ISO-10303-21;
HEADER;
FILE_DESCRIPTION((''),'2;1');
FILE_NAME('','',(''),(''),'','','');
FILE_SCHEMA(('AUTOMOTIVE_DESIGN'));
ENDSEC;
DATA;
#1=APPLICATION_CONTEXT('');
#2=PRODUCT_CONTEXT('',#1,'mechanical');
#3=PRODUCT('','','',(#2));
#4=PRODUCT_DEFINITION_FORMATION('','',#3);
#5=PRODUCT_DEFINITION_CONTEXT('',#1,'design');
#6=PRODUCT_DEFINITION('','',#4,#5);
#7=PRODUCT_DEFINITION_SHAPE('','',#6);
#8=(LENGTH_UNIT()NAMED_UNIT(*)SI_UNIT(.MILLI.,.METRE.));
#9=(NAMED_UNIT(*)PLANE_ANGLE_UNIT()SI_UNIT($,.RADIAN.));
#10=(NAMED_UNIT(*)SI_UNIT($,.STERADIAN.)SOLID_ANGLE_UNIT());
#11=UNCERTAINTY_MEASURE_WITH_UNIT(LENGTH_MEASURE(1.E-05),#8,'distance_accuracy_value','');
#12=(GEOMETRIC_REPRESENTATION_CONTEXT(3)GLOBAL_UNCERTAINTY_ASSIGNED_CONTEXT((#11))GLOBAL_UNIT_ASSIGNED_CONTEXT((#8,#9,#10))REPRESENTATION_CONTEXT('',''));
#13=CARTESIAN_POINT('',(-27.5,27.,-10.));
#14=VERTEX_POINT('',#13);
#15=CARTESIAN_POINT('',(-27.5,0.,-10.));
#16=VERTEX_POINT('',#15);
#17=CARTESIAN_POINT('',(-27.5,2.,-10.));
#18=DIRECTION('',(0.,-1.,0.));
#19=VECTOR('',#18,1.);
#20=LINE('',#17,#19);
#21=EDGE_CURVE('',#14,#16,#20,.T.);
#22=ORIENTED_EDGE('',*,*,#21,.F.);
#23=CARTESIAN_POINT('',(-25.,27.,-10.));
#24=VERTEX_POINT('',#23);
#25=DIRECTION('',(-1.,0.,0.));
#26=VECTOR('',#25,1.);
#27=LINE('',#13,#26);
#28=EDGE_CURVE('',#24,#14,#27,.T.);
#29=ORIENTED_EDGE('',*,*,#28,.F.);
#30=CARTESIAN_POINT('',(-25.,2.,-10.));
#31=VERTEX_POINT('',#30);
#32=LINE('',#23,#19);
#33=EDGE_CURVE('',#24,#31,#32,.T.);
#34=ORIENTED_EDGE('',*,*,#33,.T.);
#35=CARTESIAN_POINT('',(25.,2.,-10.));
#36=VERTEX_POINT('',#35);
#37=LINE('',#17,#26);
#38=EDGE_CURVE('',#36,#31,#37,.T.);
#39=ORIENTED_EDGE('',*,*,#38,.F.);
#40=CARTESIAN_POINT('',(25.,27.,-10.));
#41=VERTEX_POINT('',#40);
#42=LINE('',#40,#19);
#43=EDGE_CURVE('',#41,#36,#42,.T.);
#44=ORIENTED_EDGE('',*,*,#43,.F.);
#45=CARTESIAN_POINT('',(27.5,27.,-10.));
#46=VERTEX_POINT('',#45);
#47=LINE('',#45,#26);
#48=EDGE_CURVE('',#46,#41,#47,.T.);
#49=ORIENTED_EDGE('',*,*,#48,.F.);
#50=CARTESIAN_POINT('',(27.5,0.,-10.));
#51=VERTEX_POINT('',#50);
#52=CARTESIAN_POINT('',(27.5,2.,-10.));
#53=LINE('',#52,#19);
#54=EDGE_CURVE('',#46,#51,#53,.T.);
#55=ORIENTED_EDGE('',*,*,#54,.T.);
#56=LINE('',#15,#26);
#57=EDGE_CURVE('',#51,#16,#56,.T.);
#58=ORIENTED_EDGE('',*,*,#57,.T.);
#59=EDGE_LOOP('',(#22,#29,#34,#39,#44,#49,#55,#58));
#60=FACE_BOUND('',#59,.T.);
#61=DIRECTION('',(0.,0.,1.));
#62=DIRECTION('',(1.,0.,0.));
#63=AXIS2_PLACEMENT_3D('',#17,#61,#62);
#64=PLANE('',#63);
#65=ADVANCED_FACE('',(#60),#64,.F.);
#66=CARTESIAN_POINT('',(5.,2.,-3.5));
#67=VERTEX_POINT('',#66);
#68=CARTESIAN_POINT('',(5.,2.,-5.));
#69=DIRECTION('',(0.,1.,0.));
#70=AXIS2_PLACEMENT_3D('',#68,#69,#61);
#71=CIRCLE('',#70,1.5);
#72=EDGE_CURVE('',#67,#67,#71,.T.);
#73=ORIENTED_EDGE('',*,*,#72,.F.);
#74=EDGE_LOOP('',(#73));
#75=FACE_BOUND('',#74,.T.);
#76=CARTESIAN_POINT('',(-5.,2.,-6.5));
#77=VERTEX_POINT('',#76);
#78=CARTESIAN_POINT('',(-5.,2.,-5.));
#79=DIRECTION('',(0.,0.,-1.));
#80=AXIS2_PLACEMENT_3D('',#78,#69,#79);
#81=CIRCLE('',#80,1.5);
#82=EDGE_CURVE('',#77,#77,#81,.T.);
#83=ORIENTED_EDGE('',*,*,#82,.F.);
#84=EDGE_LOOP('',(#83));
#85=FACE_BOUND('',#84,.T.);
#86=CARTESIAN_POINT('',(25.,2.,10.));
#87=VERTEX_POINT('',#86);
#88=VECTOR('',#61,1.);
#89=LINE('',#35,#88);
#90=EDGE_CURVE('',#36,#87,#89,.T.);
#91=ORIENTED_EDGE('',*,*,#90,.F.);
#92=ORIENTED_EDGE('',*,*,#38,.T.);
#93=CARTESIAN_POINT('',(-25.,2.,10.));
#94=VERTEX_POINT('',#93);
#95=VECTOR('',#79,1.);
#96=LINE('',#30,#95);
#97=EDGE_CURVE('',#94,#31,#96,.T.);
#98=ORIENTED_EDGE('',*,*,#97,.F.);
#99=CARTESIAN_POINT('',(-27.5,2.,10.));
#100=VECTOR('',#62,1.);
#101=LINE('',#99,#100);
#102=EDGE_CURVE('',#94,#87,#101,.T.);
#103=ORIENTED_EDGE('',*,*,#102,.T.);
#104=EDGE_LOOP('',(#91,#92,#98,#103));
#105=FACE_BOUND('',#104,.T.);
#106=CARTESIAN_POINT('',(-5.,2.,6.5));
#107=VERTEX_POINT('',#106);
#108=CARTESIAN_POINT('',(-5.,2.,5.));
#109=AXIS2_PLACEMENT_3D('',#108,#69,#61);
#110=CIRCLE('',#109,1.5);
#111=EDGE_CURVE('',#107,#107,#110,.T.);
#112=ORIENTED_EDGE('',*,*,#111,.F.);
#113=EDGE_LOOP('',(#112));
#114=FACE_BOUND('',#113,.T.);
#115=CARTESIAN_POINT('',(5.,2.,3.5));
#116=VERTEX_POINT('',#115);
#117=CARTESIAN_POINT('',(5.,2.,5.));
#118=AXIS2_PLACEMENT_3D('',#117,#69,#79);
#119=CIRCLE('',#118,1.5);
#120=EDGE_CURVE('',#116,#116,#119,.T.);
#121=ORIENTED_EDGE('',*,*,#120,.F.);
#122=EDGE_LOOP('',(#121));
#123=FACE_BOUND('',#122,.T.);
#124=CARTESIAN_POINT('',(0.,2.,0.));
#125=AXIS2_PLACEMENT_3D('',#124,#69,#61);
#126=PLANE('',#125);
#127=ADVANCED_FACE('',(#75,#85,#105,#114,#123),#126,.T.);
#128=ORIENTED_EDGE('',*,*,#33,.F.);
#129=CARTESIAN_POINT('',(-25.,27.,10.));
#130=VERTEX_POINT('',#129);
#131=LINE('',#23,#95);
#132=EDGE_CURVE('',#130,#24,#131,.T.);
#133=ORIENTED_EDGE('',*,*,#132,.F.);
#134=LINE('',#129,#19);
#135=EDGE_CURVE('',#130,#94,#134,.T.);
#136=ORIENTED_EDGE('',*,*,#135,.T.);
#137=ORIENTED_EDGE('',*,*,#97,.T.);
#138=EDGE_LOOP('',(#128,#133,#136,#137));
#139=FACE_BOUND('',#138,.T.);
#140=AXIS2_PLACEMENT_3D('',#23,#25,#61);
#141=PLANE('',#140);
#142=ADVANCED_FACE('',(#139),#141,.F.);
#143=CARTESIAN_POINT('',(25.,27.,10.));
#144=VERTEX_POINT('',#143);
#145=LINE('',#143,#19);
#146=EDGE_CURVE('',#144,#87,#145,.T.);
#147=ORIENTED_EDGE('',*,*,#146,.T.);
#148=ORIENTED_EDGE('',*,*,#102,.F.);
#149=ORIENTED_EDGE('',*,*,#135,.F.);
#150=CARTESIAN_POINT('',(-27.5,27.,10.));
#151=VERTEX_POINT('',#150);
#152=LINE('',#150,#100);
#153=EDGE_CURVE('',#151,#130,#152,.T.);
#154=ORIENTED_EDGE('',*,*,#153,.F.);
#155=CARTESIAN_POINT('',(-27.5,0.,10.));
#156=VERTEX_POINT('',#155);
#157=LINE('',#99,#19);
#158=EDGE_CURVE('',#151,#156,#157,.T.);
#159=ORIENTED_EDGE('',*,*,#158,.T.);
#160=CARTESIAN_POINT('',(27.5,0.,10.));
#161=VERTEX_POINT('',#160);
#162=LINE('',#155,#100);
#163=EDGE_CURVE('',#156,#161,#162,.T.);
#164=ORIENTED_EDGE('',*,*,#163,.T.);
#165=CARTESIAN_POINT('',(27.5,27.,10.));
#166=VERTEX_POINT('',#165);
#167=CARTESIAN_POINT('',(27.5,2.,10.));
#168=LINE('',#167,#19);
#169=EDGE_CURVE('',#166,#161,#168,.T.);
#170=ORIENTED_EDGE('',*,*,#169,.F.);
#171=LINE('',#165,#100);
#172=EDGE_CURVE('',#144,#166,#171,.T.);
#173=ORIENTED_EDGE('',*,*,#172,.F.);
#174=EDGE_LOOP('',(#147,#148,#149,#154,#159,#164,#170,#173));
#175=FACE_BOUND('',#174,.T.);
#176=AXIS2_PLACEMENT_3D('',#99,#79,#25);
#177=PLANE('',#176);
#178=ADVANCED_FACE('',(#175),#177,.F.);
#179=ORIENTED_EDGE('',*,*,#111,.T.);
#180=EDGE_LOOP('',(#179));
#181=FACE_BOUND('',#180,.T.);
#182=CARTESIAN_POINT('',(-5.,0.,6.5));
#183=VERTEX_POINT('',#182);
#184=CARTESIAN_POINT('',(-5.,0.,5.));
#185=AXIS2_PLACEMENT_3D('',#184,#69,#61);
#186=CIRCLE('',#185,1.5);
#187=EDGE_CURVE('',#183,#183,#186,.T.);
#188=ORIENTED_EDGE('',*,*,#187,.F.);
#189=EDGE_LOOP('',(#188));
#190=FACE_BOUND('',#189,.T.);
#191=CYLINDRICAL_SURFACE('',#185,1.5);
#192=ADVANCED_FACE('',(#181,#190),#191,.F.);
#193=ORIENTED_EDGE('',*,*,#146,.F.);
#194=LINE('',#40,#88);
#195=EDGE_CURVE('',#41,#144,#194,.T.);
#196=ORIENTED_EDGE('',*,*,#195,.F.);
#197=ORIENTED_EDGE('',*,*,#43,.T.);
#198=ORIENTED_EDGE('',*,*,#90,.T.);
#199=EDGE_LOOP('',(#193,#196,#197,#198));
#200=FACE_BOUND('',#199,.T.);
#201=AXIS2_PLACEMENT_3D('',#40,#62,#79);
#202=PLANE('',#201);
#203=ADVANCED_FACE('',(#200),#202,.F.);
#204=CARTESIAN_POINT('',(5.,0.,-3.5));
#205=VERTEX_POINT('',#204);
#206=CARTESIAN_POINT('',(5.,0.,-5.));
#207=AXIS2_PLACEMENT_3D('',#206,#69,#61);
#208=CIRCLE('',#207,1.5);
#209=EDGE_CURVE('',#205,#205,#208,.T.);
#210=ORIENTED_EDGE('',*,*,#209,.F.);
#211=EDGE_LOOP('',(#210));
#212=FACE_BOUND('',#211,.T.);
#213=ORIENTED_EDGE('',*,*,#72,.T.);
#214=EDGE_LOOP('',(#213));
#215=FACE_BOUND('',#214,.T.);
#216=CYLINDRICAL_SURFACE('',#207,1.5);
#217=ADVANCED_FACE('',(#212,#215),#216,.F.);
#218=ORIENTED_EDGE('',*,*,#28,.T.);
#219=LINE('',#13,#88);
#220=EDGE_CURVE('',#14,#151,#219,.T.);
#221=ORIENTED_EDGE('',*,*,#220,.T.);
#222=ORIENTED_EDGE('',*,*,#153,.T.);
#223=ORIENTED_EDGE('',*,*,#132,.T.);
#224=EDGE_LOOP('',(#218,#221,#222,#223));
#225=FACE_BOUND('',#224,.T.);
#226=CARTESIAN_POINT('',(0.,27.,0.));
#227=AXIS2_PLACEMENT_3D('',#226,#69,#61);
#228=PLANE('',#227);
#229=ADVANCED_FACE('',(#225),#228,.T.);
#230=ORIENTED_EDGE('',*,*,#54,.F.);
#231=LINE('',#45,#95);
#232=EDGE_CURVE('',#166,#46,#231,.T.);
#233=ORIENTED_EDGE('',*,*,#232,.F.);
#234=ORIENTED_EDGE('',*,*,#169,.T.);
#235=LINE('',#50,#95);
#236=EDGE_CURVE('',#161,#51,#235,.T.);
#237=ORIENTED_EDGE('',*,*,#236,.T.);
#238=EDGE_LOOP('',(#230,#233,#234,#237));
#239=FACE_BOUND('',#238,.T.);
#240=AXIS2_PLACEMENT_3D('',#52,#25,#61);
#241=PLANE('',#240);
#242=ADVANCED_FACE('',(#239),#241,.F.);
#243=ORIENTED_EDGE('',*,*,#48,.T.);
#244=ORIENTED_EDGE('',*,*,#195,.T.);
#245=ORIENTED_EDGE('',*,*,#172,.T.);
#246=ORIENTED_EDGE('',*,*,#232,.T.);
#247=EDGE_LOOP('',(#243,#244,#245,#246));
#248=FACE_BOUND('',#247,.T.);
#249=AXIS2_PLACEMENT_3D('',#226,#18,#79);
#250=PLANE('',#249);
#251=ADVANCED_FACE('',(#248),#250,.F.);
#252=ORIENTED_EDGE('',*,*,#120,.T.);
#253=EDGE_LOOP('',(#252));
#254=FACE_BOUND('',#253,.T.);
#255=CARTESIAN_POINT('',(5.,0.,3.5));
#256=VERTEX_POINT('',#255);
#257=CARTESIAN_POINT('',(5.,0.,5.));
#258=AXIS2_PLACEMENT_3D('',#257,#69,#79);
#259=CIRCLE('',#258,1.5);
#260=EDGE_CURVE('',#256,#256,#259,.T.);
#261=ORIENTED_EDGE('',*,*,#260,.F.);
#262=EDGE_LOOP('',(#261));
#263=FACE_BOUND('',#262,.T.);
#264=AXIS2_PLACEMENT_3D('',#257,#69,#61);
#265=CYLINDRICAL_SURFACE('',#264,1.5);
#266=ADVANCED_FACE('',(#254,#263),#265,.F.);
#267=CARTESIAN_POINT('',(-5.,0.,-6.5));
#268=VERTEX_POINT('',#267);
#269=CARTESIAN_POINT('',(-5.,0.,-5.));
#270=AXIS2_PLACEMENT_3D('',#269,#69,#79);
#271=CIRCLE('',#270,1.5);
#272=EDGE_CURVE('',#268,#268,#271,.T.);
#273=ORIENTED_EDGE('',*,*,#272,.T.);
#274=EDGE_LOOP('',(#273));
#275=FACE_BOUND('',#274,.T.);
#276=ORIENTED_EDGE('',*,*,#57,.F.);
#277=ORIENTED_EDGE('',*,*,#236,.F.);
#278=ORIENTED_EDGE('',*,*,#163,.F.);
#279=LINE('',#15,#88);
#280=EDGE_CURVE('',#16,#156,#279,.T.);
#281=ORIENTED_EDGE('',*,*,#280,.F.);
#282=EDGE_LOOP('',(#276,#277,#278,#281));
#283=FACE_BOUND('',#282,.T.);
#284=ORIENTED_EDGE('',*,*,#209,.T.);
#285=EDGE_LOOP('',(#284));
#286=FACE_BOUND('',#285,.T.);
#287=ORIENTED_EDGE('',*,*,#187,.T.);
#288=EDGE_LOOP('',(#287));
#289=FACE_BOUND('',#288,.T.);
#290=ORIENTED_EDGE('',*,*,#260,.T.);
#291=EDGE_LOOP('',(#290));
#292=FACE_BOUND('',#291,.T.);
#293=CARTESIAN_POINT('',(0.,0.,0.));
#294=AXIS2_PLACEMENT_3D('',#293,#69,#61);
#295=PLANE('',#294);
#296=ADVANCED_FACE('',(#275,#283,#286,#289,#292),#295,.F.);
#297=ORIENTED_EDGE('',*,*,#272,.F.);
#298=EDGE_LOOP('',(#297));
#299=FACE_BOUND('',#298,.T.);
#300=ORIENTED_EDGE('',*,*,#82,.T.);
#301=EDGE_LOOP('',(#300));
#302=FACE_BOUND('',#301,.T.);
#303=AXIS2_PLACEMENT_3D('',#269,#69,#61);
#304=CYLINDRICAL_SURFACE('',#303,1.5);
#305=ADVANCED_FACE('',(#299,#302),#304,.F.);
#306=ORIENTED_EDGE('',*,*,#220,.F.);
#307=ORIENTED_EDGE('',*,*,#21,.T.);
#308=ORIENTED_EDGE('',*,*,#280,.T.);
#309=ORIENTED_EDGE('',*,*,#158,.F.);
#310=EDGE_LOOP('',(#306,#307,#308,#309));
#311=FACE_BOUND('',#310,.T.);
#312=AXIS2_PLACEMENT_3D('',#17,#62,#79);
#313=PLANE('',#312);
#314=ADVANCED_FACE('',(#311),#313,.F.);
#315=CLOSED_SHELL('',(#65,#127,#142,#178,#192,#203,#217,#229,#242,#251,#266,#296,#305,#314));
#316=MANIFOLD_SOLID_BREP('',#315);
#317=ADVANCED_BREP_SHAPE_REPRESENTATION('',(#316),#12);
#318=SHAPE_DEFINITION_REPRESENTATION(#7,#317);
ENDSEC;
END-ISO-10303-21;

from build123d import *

# Parameters (mm, degrees)
SKETCH1_W           = 55
SKETCH1_H           = 20
BOSS_EXTRUDE1_DEPTH = 2
SKETCH2_W           = 2.5
SKETCH2_H           = 20
BOSS_EXTRUDE2_DEPTH = 25
SKETCH3_R           = 1.5
CUT_EXTRUDE1_DEPTH  = 3


with BuildPart() as part:
    # Sketch1 → Boss-Extrude1 (new body)
    with BuildSketch(Plane(origin=(0, 0, 0), x_dir=(1, 0, 0), z_dir=(0, 1, 0))):
        Rectangle(SKETCH1_W, SKETCH1_H)
    extrude(amount=BOSS_EXTRUDE1_DEPTH)

    # Sketch2 → Boss-Extrude2 (add)
    with BuildSketch(Plane(origin=(0, 2, 0), x_dir=(1, 0, 0), z_dir=(0, 1, 0))):
        with Locations((-26.25, 0)):
            Rectangle(SKETCH2_W, SKETCH2_H)
        with Locations((26.25, 0)):
            Rectangle(SKETCH2_W, SKETCH2_H)
    extrude(amount=BOSS_EXTRUDE2_DEPTH)

    # Sketch3 → Cut-Extrude1 (cut, through all)
    with BuildSketch(Plane(origin=(0, 2, 0), x_dir=(1, 0, 0), z_dir=(0, 1, 0))):
        with Locations((5, 5)):
            Circle(SKETCH3_R)
        with Locations((-5, 5)):
            Circle(SKETCH3_R)
        with Locations((-5, -5)):
            Circle(SKETCH3_R)
        with Locations((5, -5)):
            Circle(SKETCH3_R)
    extrude(amount=-CUT_EXTRUDE1_DEPTH, mode=Mode.SUBTRACT)


solid = part.part
